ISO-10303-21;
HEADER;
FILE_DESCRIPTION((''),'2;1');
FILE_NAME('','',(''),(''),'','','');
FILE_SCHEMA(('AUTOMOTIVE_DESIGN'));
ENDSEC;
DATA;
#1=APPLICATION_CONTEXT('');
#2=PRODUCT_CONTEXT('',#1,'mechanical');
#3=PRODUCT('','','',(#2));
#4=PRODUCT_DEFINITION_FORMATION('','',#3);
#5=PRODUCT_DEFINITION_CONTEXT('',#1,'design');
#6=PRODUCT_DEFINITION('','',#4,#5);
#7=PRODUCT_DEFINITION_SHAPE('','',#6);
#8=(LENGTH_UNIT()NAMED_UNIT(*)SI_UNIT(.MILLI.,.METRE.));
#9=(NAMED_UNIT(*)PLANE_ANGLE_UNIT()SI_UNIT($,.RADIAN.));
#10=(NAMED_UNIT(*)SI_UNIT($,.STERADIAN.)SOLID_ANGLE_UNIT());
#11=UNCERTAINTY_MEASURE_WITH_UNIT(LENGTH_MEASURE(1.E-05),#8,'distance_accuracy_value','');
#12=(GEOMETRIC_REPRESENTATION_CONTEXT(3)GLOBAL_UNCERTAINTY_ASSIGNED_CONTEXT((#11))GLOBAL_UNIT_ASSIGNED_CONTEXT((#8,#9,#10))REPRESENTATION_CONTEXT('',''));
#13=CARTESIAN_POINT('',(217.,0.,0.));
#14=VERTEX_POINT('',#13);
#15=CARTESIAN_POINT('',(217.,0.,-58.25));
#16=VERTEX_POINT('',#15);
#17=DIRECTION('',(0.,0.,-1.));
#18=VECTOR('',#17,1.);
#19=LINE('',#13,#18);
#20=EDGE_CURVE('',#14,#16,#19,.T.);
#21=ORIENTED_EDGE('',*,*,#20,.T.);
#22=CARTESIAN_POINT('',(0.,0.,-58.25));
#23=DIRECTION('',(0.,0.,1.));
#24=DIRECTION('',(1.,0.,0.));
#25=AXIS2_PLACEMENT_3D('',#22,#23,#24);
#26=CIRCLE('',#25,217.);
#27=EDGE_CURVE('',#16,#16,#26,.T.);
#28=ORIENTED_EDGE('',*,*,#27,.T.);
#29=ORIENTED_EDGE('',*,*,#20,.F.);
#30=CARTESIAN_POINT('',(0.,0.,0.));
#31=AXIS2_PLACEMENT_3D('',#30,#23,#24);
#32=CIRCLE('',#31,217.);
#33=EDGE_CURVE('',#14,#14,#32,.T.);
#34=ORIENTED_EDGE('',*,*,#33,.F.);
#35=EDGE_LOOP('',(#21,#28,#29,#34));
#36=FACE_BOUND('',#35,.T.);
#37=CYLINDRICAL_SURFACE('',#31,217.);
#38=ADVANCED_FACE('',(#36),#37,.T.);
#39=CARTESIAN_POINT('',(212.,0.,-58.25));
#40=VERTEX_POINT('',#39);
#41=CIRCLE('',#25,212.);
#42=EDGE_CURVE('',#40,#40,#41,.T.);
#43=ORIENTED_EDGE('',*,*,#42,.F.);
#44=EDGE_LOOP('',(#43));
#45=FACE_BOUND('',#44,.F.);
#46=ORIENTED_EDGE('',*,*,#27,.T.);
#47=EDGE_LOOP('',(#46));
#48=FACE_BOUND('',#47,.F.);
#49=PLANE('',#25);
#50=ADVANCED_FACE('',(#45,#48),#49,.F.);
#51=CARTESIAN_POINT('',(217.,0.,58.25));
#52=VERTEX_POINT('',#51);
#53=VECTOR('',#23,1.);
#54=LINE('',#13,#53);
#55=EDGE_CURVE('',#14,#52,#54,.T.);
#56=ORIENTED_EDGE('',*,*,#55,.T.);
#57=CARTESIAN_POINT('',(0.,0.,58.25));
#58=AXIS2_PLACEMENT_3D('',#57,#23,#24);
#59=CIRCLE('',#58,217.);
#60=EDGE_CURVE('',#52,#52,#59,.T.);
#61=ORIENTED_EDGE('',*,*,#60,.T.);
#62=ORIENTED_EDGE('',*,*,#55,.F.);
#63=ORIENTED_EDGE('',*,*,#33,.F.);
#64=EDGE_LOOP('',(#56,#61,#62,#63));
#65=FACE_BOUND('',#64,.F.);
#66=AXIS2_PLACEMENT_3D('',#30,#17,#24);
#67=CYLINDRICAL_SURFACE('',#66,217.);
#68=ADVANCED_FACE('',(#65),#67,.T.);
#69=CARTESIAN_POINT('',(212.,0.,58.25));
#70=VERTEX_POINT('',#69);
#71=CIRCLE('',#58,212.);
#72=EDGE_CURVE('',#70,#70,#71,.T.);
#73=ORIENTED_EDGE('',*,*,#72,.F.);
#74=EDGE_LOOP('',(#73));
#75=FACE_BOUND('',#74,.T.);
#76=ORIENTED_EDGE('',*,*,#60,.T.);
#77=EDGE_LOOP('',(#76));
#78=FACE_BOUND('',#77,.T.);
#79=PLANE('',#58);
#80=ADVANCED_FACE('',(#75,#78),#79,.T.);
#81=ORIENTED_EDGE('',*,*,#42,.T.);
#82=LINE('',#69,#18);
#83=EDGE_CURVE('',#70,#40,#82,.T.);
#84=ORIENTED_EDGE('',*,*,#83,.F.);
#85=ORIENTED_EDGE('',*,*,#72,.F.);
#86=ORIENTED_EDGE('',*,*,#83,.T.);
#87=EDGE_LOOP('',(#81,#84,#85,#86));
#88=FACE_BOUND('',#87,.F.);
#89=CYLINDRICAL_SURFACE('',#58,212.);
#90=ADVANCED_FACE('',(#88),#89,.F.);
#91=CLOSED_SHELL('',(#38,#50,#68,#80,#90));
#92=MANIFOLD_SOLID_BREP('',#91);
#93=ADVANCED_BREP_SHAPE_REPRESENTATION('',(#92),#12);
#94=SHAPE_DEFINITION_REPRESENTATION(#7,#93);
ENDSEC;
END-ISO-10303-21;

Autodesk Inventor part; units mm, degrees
ref_plane "YZ Plane" through (0, 0, 0) normal (1, 0, 0) x (0, 1, 0)
ref_plane "XZ Plane" through (0, 0, 0) normal (0, 1, 0) x (-1, 0, 0)
ref_plane "XY Plane" through (0, 0, 0) normal (0, 0, 1) x (1, 0, 0)
sketch "Sketch1" plane through (0, 0, 0) normal (0, 0, 1) x (1, 0, 0)
  circle A0 centre (0, 0) radius 217
  dimension "d0" = 434
extrude "Extrusion1" add sketch "Sketch1" along normal mid plane 116.5
sketch "Sketch2" plane through (0, 0, 58.25) normal (0, 0, 1) x (1, 0, 0)
  circle A0 centre (0, 0) radius 212
  dimension "d3" = 424
extrude "Extrusion2" cut sketch "Sketch2" against normal through all
properties part number "ALPHA-II-AT_2"
